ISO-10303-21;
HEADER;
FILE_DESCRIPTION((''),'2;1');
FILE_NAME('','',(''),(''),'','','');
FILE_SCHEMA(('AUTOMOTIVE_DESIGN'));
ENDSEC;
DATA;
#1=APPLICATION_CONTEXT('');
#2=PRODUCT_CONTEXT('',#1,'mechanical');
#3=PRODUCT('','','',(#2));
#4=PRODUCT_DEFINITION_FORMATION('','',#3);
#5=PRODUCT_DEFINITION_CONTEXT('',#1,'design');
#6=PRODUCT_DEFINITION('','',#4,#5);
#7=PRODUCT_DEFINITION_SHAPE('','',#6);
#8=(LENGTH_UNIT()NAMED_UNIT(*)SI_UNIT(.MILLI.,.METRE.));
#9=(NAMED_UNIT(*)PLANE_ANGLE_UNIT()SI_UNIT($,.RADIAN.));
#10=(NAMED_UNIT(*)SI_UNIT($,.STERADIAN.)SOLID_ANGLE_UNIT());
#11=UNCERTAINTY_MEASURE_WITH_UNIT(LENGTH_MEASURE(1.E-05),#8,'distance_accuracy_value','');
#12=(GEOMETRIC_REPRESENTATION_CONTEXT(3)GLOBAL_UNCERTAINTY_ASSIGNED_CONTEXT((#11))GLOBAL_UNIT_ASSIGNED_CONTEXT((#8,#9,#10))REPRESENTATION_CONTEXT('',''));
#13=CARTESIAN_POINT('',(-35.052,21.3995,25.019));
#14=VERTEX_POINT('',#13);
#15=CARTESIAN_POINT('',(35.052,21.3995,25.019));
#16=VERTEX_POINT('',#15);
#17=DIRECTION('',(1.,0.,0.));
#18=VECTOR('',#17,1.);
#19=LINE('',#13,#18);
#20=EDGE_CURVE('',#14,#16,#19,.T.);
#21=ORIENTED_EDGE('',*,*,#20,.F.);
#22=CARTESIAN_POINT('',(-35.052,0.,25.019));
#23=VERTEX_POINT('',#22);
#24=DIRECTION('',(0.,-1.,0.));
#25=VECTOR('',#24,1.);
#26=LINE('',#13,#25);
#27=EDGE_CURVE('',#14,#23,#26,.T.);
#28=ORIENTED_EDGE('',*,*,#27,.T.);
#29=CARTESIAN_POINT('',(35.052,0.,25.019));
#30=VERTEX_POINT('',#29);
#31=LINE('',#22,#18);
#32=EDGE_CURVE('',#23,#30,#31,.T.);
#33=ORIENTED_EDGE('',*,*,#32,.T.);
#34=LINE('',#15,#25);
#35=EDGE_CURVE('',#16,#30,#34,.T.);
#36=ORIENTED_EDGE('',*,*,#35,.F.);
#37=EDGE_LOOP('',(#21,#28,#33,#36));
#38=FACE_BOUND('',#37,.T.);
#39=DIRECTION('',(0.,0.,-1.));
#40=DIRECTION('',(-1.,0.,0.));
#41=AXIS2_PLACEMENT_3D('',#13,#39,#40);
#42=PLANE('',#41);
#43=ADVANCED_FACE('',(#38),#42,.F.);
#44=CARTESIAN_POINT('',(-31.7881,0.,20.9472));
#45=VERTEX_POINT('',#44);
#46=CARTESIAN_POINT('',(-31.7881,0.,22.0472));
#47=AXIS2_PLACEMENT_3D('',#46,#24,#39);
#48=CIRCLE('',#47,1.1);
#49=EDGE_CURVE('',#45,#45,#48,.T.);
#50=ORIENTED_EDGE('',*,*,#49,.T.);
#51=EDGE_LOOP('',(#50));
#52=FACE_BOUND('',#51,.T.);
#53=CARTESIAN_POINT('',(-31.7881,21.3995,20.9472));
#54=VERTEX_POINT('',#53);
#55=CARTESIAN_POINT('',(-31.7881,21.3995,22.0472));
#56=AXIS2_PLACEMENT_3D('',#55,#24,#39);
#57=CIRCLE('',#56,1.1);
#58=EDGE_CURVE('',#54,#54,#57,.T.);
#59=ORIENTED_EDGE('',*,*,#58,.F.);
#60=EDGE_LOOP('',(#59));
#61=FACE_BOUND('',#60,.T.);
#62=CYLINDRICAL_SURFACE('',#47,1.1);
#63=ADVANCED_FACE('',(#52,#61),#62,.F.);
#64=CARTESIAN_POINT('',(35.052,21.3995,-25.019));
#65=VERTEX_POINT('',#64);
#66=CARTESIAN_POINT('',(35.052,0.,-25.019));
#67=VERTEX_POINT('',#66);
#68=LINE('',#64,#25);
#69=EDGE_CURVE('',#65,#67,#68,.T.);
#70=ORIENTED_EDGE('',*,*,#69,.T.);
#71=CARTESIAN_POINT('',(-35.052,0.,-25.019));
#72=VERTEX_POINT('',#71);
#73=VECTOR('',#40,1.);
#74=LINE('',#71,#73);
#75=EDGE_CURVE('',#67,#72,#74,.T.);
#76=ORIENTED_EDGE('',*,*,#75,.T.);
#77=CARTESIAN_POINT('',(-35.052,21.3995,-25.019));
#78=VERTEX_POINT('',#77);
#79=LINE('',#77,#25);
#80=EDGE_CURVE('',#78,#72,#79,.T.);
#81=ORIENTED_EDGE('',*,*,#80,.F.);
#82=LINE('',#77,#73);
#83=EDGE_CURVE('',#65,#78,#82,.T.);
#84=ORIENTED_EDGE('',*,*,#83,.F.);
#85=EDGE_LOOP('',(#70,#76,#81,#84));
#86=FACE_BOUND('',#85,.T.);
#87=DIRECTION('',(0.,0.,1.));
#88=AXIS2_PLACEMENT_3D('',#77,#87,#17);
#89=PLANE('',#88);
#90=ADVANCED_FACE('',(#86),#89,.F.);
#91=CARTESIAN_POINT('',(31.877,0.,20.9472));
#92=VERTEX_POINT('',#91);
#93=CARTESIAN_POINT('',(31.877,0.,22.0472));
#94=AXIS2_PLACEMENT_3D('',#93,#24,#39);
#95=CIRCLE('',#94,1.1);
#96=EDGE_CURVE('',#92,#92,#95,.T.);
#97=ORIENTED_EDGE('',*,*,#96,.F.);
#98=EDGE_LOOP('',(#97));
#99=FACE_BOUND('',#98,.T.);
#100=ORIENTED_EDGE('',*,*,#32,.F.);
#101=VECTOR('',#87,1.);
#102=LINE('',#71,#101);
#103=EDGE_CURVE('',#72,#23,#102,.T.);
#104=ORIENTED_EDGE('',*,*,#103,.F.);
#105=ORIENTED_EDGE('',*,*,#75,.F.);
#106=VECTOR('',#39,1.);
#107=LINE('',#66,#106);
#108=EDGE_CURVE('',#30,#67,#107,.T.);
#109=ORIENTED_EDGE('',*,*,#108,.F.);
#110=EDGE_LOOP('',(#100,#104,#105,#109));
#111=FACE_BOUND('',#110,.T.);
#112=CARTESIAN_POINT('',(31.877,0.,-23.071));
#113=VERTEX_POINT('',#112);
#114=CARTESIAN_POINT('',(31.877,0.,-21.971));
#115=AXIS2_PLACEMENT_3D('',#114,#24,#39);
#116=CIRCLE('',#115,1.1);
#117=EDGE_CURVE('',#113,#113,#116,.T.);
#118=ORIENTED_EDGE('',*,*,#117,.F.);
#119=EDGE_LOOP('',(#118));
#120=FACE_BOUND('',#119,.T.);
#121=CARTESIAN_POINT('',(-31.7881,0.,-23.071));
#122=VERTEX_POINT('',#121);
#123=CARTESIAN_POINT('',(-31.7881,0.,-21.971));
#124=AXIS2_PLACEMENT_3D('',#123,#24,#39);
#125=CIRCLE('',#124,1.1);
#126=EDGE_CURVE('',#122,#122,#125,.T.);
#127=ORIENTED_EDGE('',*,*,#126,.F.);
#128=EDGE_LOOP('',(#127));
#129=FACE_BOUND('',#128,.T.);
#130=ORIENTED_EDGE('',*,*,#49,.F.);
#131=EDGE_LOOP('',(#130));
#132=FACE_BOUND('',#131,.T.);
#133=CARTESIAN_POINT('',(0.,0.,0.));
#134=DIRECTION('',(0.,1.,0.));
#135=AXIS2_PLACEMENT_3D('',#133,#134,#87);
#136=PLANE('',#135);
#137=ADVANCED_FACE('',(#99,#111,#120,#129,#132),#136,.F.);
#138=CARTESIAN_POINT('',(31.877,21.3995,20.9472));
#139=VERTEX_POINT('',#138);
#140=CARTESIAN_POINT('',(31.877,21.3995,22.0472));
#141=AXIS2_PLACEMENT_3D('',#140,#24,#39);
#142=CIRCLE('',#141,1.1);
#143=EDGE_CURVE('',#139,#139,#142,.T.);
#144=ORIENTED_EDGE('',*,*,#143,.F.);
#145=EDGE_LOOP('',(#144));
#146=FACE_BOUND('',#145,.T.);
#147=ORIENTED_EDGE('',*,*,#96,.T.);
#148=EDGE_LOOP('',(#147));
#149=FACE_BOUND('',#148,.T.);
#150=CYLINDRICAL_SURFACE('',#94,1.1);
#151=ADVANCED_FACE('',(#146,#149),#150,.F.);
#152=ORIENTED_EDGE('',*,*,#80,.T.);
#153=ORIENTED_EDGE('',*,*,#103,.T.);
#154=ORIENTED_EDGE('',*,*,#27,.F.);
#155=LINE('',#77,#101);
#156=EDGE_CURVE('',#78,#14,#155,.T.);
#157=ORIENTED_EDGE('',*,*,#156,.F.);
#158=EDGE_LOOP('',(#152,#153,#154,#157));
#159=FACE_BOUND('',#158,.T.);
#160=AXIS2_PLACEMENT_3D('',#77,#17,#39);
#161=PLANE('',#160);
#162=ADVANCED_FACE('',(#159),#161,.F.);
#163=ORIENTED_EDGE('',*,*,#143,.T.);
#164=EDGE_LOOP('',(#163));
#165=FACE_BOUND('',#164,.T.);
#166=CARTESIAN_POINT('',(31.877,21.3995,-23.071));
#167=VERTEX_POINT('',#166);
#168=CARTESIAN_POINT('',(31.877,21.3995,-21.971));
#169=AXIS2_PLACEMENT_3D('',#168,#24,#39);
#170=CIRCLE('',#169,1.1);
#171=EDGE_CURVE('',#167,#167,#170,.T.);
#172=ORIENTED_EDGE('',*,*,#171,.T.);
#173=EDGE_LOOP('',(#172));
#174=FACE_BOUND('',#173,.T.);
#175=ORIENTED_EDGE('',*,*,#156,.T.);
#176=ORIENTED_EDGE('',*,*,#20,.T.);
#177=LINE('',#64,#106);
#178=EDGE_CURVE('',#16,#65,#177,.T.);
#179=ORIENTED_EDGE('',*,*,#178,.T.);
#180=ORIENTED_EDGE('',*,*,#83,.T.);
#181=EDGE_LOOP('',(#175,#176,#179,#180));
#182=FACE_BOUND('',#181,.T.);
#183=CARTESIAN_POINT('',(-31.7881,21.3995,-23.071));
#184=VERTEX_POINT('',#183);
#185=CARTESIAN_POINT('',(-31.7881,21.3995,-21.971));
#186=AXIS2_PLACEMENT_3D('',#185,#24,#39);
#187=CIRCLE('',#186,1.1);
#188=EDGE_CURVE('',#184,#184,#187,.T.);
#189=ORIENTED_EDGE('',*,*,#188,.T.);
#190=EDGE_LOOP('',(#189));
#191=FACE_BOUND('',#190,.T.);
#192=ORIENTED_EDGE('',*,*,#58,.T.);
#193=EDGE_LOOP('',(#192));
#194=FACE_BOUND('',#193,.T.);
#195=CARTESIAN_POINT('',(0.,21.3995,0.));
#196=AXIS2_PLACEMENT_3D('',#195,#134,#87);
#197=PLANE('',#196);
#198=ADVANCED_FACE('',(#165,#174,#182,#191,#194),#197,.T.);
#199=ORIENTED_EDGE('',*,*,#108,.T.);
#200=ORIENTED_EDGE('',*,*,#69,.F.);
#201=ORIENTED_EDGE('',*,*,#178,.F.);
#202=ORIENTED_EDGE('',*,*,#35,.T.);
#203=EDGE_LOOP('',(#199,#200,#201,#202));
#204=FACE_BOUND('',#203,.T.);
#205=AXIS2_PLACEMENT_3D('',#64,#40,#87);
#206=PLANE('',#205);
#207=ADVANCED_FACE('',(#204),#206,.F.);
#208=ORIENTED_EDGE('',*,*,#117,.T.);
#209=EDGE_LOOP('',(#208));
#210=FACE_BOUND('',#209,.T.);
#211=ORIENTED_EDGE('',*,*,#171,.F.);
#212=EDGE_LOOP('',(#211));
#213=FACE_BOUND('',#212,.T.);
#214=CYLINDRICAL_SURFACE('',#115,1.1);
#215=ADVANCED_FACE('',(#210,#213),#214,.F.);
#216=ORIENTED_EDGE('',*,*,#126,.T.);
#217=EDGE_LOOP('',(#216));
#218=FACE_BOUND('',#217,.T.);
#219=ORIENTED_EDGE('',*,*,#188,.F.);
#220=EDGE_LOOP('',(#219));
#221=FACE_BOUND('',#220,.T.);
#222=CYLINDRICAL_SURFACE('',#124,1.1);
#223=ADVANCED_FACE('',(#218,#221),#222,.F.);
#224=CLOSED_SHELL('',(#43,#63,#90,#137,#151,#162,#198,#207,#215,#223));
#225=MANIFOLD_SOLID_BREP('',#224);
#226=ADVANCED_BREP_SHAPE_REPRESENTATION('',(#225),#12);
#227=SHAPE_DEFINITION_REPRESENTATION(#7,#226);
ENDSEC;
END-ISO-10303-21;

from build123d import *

# Parameters (mm, degrees)
SKETCH2_W            = 70.104
SKETCH2_H            = 50.038
BOSS_EXTRUDE1_DEPTH  = 21.3995
M2_CLEARANCE_HOLE1_D = 2.2


with BuildPart() as part:
    # Sketch2 → Boss-Extrude1 (new body)
    with BuildSketch(Plane(origin=(0, 0, 0), x_dir=(1, 0, 0), z_dir=(0, 1, 0))):
        Rectangle(SKETCH2_W, SKETCH2_H)
    extrude(amount=BOSS_EXTRUDE1_DEPTH)

    # M2 Clearance Hole1 (through all)
    with Locations(Plane(origin=(0, 0, 0), x_dir=(-1, 0, 0), z_dir=(0, -1, 0))):
        with Locations((-31.877, 21.971), (-31.877, -22.0472), (31.7881, -22.0472), (31.7881, 21.971)):
            Hole(M2_CLEARANCE_HOLE1_D / 2)


solid = part.part
